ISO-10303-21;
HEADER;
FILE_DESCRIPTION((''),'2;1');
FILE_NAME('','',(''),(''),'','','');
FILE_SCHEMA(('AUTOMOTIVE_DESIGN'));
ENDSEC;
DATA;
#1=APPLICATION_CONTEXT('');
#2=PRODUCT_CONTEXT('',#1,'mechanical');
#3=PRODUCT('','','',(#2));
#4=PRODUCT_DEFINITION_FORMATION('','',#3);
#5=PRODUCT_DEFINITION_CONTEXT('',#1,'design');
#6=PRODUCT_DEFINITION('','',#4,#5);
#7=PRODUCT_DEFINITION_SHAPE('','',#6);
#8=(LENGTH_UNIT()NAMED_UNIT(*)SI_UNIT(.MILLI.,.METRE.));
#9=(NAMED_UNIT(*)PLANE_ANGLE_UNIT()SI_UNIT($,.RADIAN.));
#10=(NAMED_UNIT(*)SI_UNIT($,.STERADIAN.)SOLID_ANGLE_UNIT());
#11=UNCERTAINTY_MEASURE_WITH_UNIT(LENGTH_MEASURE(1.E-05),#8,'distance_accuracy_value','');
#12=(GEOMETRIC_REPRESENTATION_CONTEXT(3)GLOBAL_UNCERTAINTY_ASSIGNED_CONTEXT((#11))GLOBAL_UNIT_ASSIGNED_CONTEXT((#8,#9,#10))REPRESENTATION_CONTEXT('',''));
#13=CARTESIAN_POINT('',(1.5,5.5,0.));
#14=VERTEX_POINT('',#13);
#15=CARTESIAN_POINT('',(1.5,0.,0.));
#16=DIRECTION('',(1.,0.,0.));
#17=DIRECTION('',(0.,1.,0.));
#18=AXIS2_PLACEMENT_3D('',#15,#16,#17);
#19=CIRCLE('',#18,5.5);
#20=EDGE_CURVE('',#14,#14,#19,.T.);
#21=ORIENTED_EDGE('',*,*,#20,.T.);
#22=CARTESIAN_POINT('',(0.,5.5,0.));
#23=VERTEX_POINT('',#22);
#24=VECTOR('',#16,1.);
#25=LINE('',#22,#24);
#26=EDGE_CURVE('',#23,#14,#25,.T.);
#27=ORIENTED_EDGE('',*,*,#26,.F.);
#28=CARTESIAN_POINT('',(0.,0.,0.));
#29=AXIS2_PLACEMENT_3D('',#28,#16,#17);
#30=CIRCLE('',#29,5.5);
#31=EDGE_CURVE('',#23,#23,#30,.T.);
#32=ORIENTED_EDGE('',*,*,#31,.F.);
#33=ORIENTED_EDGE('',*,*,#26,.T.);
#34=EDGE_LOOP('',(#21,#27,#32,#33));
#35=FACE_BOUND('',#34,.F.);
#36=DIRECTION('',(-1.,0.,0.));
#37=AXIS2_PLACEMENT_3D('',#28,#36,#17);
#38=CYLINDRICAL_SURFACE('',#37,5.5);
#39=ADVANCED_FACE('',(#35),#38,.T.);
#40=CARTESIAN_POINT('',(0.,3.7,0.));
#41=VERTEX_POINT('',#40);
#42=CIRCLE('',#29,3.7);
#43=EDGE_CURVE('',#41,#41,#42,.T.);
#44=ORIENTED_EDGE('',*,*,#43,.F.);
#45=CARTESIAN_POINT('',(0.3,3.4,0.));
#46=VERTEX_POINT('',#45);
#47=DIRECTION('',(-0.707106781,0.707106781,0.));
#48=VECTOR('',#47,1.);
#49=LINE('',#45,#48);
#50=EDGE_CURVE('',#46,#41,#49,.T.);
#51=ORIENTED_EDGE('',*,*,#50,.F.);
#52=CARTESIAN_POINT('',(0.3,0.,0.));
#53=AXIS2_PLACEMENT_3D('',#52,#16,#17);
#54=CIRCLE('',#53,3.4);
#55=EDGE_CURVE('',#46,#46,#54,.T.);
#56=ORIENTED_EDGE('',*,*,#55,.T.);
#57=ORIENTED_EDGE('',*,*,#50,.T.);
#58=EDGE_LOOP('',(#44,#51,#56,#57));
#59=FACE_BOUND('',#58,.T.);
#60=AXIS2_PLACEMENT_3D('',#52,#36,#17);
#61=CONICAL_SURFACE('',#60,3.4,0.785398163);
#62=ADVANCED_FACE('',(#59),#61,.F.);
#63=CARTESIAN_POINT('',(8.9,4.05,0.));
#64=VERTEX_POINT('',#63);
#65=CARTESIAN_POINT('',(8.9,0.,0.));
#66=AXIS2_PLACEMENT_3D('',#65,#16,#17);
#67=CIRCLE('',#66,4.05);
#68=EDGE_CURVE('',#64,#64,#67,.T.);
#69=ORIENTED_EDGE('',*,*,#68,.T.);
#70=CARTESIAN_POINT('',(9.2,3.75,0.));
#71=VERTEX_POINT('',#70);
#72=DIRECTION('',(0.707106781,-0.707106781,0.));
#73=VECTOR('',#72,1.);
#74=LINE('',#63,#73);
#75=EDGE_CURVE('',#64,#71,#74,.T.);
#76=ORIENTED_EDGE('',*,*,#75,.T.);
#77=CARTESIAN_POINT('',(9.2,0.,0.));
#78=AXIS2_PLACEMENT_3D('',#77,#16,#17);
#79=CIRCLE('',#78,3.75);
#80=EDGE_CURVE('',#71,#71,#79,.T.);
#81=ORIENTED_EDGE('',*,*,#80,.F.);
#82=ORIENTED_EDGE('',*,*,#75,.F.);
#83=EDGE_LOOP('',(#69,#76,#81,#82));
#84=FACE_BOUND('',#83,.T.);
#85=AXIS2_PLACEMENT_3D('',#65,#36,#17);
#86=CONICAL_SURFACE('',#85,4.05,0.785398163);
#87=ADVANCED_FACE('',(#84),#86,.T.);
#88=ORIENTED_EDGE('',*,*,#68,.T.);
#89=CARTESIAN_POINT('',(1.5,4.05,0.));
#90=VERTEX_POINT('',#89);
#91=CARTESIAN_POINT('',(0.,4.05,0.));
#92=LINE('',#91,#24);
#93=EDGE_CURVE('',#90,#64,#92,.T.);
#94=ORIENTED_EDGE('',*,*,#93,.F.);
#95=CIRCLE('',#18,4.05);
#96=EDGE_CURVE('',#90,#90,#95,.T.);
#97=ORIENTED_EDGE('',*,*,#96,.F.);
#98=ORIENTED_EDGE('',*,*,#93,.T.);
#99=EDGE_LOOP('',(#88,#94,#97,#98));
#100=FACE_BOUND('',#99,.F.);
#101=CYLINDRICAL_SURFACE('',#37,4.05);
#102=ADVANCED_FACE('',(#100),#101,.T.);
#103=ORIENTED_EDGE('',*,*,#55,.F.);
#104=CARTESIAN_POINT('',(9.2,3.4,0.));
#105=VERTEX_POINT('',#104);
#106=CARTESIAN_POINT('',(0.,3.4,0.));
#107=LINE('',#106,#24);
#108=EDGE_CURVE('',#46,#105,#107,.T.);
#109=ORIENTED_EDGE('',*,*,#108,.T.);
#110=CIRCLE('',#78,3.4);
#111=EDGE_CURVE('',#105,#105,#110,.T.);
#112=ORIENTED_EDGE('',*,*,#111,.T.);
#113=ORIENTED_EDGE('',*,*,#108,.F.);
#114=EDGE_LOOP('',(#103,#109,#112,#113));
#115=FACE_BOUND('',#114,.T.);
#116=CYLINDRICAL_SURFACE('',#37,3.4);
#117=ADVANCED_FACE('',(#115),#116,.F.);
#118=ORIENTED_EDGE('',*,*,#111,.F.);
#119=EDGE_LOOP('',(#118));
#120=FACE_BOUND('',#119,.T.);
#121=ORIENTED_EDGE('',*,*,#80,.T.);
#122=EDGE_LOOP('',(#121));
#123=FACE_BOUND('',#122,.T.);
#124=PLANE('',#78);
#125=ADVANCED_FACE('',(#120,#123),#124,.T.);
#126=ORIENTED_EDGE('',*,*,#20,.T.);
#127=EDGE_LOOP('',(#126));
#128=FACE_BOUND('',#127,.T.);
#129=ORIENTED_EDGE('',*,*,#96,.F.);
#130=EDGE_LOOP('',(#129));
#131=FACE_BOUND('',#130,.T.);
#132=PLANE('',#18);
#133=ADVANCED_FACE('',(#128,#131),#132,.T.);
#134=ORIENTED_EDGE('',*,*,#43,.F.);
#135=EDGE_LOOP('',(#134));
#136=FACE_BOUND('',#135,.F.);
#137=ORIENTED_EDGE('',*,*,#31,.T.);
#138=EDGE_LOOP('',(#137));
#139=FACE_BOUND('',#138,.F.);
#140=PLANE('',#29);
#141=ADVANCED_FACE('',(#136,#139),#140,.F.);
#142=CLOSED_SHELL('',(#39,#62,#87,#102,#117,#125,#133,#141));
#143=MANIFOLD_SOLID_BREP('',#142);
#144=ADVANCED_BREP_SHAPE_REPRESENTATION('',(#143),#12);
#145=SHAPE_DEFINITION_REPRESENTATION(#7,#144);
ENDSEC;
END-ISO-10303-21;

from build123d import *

# Parameters (mm, degrees)
F0_R     = 4.05
F0_R_2   = 3.4
F0_R_3   = 5.5
F1_DEPTH = 1.5
F2_DEPTH = 9.2
F3_DEPTH = 9.201
F4_SIZE  = 0.3


with BuildPart() as f1:
    # F0 (on Right) → F1 (new body)
    with BuildSketch(Plane.YZ):
        Circle(F0_R)
        Circle(F0_R_2, mode=Mode.SUBTRACT)
        Circle(F0_R_2)
        Circle(F0_R_3)
        Circle(F0_R, mode=Mode.SUBTRACT)
    extrude(amount=F1_DEPTH)

    # F0 (on Right) → F2 (join)
    with BuildSketch(Plane.YZ):
        Circle(F0_R)
        Circle(F0_R_2, mode=Mode.SUBTRACT)
    extrude(amount=F2_DEPTH)

    # F0 (on Right) → F3 (cut, through all)
    with BuildSketch(Plane.YZ):
        Circle(F0_R_2)
    extrude(amount=F3_DEPTH, mode=Mode.SUBTRACT)

    # F4
    f4_edges = [f1.edges().sort_by_distance(p)[0] for p in [
        (0, -3.4, 0),
        (9.2, -4.05, 0),
    ]]
    chamfer(f4_edges, length=F4_SIZE)


solid = f1.part
